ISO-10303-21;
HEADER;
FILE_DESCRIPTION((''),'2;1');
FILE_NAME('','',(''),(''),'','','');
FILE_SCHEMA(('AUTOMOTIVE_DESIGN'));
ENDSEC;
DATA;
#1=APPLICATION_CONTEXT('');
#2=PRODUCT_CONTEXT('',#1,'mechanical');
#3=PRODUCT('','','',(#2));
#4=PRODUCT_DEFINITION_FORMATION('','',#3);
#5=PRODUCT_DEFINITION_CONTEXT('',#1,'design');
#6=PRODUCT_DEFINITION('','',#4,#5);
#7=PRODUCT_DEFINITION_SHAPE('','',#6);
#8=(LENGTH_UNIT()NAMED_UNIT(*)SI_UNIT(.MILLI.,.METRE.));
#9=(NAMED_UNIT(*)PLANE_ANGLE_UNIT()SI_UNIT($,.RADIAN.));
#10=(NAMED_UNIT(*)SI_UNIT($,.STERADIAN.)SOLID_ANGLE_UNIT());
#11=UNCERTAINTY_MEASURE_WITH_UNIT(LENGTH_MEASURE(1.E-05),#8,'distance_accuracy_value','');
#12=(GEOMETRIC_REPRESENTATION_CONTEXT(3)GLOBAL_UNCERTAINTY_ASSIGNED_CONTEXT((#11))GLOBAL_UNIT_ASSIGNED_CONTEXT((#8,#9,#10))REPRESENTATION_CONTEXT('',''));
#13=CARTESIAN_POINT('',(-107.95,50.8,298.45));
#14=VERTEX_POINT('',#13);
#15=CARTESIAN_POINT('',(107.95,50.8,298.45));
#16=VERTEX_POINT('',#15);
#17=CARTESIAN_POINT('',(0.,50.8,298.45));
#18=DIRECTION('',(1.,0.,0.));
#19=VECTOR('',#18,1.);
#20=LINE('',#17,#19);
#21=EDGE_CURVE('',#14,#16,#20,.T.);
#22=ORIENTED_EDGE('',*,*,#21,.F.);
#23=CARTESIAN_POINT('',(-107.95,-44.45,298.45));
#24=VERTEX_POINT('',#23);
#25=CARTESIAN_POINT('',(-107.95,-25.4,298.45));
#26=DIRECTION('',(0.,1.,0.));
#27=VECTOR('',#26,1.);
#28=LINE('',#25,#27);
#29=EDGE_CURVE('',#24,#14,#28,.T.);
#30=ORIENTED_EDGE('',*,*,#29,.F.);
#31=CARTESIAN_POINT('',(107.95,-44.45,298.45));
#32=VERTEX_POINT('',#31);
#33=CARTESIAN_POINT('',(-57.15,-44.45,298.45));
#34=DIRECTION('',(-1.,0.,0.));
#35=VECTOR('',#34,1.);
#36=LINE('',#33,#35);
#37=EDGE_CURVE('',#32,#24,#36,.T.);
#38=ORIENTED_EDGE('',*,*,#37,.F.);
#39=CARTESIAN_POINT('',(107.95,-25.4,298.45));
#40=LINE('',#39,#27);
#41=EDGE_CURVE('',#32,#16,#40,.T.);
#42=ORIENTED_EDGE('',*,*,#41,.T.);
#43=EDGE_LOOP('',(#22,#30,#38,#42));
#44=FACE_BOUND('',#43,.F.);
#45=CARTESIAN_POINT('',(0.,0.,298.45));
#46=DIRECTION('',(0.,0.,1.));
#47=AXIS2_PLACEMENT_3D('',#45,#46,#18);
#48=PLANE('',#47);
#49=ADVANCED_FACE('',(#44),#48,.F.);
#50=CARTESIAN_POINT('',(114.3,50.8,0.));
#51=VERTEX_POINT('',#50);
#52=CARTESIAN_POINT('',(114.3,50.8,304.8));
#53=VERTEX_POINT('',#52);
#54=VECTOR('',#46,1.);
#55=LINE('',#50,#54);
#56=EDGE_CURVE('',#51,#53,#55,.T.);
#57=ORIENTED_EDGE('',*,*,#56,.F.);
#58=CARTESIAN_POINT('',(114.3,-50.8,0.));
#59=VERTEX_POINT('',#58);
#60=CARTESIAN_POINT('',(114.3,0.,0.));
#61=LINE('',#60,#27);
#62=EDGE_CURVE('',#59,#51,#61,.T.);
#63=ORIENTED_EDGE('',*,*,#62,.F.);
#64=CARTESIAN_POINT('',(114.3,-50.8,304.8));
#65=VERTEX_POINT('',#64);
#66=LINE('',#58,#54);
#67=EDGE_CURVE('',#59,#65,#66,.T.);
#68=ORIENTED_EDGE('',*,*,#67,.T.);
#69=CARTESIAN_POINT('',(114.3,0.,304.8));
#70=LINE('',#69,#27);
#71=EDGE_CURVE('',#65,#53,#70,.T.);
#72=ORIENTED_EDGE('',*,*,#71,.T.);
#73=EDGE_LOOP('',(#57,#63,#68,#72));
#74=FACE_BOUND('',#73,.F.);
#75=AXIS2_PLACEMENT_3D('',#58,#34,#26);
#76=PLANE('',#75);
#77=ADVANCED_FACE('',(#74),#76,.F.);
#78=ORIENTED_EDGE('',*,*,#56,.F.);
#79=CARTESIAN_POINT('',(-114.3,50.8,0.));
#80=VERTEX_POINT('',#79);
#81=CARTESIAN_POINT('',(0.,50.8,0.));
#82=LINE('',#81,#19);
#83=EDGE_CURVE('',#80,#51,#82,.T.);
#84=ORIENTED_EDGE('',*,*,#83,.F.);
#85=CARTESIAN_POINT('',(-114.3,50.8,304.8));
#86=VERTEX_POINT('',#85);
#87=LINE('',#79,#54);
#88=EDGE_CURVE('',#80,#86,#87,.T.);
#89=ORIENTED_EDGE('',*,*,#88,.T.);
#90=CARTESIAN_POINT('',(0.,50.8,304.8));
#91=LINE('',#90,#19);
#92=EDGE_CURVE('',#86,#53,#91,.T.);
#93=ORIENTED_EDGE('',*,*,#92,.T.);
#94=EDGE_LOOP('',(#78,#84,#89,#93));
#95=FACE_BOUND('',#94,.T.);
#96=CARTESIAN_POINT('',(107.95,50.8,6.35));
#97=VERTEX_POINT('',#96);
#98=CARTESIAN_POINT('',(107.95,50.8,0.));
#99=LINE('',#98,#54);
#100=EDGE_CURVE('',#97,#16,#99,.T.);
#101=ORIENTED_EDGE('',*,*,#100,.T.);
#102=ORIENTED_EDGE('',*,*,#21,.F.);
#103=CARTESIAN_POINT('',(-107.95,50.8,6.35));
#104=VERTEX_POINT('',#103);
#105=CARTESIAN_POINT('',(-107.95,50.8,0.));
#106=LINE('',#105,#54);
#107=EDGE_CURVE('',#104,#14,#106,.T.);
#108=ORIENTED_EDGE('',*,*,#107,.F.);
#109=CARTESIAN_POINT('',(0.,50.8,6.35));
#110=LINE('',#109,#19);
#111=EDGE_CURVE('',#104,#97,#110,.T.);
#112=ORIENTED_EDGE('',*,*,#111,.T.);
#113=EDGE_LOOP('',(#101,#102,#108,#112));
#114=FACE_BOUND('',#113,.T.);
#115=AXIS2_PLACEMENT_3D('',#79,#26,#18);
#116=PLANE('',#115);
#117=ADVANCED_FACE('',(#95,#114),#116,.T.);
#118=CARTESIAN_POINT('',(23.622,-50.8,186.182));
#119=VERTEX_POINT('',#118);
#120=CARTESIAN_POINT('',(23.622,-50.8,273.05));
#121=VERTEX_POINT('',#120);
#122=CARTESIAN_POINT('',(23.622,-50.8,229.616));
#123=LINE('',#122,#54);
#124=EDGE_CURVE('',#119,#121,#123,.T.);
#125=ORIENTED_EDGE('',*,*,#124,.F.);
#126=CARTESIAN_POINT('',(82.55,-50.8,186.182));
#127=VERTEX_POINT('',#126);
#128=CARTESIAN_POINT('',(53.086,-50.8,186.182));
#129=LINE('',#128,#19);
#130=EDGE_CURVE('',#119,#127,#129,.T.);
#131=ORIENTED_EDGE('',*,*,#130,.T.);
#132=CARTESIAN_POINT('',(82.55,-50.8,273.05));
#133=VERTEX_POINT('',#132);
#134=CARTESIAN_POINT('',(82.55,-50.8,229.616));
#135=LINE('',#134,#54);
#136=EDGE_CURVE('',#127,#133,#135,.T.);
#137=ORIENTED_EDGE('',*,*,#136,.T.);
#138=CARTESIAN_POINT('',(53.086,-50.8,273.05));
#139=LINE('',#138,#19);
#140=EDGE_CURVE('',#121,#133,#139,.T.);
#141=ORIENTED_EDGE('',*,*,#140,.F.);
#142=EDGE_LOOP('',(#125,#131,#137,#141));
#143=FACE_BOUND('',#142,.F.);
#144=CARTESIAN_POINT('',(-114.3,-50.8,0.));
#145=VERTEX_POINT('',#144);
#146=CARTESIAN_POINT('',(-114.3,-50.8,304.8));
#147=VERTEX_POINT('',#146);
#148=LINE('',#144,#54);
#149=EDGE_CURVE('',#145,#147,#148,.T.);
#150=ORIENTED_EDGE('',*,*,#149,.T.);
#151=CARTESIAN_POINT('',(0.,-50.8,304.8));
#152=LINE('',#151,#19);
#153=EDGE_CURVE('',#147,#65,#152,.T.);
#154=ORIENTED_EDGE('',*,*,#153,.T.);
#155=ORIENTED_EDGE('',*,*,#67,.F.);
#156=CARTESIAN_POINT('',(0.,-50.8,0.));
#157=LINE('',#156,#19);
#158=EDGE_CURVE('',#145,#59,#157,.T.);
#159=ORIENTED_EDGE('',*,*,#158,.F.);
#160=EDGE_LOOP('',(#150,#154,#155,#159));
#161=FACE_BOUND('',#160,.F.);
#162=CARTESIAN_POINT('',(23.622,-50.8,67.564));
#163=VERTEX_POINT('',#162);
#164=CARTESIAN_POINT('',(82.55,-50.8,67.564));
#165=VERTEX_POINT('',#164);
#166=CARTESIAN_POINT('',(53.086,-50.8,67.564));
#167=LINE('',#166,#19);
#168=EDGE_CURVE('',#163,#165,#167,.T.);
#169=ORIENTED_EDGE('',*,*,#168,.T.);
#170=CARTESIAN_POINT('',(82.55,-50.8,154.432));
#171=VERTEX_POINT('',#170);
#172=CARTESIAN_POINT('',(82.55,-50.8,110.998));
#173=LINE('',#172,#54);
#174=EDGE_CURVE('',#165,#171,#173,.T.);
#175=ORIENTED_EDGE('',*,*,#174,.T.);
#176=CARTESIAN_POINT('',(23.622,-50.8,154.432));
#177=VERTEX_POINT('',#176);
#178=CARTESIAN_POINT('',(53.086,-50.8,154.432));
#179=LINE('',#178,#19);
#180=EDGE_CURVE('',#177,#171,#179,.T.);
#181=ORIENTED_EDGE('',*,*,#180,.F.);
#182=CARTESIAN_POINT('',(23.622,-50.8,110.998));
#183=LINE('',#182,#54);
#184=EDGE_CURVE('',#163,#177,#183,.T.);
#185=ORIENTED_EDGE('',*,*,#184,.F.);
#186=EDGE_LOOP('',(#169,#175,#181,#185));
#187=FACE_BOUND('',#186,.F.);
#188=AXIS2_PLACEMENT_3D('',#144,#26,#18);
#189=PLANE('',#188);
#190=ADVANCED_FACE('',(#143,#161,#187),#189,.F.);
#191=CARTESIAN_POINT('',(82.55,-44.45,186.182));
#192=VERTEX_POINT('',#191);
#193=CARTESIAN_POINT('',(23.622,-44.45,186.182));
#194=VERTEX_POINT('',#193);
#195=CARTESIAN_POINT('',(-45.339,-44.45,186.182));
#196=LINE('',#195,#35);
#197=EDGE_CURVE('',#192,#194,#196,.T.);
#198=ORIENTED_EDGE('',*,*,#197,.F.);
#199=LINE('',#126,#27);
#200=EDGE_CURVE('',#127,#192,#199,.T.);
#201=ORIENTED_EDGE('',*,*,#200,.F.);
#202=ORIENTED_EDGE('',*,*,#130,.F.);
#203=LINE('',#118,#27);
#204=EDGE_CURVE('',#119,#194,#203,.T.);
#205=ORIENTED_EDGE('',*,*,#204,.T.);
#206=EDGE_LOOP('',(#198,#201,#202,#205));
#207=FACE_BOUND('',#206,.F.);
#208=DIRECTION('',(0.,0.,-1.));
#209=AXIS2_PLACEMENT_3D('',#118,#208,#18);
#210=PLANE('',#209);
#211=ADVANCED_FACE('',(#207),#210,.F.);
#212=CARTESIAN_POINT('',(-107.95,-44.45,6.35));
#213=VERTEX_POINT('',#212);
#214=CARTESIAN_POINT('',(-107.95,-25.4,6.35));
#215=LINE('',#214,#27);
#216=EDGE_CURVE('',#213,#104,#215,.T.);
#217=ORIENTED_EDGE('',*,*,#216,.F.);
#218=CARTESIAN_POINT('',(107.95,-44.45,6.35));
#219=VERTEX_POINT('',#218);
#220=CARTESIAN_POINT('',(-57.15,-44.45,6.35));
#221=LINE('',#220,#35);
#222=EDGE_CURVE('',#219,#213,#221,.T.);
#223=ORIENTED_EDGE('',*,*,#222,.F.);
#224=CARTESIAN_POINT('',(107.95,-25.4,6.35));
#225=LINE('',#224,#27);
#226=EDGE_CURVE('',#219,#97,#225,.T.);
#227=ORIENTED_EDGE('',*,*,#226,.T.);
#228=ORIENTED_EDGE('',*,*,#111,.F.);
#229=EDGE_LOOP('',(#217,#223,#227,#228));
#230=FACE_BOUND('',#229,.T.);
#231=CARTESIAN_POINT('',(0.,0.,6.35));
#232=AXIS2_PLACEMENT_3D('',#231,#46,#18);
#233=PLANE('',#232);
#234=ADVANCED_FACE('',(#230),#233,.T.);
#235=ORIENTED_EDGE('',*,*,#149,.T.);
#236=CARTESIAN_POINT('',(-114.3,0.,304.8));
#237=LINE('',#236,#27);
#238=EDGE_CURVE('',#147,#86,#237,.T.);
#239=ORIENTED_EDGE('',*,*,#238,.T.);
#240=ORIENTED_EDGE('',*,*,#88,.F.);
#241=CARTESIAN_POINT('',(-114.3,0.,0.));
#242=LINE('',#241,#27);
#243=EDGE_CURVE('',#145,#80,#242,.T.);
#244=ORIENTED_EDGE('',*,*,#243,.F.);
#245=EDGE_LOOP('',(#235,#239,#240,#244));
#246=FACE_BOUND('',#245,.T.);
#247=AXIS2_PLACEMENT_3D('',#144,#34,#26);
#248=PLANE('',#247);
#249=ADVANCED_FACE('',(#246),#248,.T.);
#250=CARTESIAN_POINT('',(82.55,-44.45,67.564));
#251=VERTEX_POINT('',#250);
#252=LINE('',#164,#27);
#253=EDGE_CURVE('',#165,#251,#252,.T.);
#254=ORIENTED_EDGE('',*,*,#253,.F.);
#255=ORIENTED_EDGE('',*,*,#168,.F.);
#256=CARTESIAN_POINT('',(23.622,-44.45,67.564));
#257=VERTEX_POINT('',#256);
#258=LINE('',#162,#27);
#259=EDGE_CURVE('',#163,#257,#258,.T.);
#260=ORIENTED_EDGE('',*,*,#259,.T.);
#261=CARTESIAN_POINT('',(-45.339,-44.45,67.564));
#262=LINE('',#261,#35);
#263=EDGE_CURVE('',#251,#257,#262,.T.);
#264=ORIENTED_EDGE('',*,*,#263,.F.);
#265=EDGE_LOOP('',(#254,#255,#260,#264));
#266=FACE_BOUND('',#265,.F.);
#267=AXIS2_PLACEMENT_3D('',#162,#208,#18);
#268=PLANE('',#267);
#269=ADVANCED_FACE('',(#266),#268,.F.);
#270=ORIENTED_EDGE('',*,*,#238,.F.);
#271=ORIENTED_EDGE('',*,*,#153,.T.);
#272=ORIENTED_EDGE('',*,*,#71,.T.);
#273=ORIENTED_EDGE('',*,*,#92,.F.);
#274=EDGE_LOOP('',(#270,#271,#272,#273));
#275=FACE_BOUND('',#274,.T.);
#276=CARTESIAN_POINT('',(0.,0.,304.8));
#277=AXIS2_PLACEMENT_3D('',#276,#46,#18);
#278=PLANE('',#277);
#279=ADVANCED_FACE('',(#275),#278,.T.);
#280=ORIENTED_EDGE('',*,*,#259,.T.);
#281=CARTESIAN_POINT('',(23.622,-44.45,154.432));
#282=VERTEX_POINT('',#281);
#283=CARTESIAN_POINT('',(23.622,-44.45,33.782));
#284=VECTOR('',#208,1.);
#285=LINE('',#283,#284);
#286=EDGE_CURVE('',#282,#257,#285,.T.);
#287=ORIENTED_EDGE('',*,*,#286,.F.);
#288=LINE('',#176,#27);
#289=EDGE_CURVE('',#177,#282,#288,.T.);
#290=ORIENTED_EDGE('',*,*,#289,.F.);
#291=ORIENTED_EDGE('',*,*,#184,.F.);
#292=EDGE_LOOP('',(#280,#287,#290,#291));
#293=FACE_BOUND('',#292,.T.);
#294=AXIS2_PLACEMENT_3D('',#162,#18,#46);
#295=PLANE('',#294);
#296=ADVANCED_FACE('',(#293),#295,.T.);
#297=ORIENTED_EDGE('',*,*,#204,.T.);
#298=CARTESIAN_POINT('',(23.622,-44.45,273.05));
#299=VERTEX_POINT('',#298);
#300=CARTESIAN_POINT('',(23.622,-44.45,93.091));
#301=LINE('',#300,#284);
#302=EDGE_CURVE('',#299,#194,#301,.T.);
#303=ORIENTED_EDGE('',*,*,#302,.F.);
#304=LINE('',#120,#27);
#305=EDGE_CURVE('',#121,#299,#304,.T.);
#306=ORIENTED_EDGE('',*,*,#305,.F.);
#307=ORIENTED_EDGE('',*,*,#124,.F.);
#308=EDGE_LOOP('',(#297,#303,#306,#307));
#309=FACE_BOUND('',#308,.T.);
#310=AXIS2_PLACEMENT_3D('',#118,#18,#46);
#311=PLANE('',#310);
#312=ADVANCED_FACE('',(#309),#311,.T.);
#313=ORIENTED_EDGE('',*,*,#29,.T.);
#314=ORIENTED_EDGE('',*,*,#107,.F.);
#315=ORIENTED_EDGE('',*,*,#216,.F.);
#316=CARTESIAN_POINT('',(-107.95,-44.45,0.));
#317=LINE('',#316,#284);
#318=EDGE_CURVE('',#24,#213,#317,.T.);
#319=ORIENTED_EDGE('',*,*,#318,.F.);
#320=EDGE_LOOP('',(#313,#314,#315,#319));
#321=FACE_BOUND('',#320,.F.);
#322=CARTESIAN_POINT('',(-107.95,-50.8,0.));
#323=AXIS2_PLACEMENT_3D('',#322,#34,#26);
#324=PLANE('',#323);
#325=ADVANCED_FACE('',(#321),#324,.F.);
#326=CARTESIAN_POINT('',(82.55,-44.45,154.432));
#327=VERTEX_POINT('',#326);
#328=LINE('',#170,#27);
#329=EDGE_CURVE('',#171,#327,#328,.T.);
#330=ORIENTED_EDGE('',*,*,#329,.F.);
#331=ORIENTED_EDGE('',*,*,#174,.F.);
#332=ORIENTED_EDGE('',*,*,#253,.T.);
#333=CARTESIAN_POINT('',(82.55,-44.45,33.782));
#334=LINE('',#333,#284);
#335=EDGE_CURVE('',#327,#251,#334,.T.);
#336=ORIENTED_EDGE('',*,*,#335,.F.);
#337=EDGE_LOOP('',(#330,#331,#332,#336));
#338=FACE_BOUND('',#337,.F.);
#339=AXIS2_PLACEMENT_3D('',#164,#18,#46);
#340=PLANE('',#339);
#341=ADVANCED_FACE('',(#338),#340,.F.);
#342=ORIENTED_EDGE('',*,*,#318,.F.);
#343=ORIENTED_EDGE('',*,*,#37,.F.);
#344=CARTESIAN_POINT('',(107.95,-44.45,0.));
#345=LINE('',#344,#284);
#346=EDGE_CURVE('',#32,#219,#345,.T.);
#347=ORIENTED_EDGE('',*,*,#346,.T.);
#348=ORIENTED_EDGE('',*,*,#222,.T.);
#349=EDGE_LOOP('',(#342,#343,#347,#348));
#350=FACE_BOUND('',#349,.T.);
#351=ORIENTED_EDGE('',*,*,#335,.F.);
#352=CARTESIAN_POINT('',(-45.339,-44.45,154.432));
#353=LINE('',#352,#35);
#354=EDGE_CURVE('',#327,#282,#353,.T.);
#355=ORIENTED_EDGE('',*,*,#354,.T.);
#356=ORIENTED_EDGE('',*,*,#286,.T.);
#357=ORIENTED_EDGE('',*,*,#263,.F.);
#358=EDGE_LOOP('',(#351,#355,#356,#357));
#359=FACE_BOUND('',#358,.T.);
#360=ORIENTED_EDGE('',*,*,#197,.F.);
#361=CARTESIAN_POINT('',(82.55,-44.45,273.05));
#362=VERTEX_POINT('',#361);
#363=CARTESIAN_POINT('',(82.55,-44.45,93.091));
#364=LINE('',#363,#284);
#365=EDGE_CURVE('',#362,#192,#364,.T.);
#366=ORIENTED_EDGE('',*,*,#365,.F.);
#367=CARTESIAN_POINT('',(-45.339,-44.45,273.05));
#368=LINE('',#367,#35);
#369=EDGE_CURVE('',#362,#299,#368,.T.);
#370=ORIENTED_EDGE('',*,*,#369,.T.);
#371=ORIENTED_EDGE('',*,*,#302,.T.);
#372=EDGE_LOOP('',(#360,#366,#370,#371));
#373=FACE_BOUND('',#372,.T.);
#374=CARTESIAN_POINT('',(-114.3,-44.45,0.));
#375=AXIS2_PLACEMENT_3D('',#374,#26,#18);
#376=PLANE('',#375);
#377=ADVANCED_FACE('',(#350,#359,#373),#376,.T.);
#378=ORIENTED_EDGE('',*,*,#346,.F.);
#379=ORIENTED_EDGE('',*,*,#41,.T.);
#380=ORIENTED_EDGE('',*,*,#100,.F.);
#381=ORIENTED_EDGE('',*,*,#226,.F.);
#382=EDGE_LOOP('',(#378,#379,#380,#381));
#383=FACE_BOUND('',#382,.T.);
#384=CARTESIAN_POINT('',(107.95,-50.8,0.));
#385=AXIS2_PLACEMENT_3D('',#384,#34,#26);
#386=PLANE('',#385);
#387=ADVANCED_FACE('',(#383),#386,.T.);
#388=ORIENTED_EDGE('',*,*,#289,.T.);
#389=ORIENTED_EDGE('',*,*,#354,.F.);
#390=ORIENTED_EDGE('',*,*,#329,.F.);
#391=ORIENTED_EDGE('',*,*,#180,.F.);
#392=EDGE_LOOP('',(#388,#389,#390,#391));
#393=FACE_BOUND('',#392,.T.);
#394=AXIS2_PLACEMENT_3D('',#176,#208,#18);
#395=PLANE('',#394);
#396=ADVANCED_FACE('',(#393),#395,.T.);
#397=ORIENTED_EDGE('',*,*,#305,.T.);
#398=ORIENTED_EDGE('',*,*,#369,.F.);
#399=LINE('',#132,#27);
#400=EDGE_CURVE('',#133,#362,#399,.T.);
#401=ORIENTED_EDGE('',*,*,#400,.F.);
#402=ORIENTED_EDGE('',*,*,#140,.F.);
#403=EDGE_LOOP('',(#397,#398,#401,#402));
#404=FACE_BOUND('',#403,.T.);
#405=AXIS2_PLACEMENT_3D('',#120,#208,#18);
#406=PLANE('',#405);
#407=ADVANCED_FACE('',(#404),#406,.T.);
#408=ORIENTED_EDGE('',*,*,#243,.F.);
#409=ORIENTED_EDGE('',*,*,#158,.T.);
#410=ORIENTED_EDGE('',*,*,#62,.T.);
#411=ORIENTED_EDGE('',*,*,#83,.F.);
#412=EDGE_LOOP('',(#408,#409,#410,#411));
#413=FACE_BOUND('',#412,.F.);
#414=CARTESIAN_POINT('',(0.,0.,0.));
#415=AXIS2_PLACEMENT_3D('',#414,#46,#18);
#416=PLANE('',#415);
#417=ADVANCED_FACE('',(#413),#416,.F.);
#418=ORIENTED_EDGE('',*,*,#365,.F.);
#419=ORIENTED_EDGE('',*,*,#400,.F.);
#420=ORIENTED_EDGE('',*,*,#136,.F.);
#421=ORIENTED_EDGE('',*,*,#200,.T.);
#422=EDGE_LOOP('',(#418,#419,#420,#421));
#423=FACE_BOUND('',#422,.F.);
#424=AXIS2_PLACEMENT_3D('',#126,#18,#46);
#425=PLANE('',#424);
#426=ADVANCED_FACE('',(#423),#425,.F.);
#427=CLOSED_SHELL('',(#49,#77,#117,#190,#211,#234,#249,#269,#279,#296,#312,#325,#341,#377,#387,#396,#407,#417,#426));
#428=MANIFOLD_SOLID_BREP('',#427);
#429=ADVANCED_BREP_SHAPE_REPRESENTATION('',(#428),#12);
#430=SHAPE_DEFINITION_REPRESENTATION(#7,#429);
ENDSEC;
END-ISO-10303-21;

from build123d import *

# Parameters (mm, degrees)
F0_W     = 228.6
F0_H     = 101.6
F1_DEPTH = 304.8
F2_T     = -6.35
F3_W     = 58.928
F3_H     = 86.868
F4_DEPTH = 25.4


with BuildPart() as f1:
    # F0 (on Top) → F1 (new body)
    with BuildSketch(Plane.XY):
        Rectangle(F0_W, F0_H)
    extrude(amount=F1_DEPTH)

    # F2
    f2_openings = [f1.faces().sort_by_distance(p)[0] for p in [
        (0, 50.8, 152.4),
    ]]
    offset(amount=F2_T, openings=f2_openings)

    # F3 (on face) → F4 (cut)
    with BuildSketch(Plane.XZ.offset(50.8)):
        with Locations((53.086, 229.616)):
            Rectangle(F3_W, F3_H)
        with Locations((53.086, 110.998)):
            Rectangle(F3_W, F3_H)
    extrude(amount=-F4_DEPTH, mode=Mode.SUBTRACT)


solid = f1.part
